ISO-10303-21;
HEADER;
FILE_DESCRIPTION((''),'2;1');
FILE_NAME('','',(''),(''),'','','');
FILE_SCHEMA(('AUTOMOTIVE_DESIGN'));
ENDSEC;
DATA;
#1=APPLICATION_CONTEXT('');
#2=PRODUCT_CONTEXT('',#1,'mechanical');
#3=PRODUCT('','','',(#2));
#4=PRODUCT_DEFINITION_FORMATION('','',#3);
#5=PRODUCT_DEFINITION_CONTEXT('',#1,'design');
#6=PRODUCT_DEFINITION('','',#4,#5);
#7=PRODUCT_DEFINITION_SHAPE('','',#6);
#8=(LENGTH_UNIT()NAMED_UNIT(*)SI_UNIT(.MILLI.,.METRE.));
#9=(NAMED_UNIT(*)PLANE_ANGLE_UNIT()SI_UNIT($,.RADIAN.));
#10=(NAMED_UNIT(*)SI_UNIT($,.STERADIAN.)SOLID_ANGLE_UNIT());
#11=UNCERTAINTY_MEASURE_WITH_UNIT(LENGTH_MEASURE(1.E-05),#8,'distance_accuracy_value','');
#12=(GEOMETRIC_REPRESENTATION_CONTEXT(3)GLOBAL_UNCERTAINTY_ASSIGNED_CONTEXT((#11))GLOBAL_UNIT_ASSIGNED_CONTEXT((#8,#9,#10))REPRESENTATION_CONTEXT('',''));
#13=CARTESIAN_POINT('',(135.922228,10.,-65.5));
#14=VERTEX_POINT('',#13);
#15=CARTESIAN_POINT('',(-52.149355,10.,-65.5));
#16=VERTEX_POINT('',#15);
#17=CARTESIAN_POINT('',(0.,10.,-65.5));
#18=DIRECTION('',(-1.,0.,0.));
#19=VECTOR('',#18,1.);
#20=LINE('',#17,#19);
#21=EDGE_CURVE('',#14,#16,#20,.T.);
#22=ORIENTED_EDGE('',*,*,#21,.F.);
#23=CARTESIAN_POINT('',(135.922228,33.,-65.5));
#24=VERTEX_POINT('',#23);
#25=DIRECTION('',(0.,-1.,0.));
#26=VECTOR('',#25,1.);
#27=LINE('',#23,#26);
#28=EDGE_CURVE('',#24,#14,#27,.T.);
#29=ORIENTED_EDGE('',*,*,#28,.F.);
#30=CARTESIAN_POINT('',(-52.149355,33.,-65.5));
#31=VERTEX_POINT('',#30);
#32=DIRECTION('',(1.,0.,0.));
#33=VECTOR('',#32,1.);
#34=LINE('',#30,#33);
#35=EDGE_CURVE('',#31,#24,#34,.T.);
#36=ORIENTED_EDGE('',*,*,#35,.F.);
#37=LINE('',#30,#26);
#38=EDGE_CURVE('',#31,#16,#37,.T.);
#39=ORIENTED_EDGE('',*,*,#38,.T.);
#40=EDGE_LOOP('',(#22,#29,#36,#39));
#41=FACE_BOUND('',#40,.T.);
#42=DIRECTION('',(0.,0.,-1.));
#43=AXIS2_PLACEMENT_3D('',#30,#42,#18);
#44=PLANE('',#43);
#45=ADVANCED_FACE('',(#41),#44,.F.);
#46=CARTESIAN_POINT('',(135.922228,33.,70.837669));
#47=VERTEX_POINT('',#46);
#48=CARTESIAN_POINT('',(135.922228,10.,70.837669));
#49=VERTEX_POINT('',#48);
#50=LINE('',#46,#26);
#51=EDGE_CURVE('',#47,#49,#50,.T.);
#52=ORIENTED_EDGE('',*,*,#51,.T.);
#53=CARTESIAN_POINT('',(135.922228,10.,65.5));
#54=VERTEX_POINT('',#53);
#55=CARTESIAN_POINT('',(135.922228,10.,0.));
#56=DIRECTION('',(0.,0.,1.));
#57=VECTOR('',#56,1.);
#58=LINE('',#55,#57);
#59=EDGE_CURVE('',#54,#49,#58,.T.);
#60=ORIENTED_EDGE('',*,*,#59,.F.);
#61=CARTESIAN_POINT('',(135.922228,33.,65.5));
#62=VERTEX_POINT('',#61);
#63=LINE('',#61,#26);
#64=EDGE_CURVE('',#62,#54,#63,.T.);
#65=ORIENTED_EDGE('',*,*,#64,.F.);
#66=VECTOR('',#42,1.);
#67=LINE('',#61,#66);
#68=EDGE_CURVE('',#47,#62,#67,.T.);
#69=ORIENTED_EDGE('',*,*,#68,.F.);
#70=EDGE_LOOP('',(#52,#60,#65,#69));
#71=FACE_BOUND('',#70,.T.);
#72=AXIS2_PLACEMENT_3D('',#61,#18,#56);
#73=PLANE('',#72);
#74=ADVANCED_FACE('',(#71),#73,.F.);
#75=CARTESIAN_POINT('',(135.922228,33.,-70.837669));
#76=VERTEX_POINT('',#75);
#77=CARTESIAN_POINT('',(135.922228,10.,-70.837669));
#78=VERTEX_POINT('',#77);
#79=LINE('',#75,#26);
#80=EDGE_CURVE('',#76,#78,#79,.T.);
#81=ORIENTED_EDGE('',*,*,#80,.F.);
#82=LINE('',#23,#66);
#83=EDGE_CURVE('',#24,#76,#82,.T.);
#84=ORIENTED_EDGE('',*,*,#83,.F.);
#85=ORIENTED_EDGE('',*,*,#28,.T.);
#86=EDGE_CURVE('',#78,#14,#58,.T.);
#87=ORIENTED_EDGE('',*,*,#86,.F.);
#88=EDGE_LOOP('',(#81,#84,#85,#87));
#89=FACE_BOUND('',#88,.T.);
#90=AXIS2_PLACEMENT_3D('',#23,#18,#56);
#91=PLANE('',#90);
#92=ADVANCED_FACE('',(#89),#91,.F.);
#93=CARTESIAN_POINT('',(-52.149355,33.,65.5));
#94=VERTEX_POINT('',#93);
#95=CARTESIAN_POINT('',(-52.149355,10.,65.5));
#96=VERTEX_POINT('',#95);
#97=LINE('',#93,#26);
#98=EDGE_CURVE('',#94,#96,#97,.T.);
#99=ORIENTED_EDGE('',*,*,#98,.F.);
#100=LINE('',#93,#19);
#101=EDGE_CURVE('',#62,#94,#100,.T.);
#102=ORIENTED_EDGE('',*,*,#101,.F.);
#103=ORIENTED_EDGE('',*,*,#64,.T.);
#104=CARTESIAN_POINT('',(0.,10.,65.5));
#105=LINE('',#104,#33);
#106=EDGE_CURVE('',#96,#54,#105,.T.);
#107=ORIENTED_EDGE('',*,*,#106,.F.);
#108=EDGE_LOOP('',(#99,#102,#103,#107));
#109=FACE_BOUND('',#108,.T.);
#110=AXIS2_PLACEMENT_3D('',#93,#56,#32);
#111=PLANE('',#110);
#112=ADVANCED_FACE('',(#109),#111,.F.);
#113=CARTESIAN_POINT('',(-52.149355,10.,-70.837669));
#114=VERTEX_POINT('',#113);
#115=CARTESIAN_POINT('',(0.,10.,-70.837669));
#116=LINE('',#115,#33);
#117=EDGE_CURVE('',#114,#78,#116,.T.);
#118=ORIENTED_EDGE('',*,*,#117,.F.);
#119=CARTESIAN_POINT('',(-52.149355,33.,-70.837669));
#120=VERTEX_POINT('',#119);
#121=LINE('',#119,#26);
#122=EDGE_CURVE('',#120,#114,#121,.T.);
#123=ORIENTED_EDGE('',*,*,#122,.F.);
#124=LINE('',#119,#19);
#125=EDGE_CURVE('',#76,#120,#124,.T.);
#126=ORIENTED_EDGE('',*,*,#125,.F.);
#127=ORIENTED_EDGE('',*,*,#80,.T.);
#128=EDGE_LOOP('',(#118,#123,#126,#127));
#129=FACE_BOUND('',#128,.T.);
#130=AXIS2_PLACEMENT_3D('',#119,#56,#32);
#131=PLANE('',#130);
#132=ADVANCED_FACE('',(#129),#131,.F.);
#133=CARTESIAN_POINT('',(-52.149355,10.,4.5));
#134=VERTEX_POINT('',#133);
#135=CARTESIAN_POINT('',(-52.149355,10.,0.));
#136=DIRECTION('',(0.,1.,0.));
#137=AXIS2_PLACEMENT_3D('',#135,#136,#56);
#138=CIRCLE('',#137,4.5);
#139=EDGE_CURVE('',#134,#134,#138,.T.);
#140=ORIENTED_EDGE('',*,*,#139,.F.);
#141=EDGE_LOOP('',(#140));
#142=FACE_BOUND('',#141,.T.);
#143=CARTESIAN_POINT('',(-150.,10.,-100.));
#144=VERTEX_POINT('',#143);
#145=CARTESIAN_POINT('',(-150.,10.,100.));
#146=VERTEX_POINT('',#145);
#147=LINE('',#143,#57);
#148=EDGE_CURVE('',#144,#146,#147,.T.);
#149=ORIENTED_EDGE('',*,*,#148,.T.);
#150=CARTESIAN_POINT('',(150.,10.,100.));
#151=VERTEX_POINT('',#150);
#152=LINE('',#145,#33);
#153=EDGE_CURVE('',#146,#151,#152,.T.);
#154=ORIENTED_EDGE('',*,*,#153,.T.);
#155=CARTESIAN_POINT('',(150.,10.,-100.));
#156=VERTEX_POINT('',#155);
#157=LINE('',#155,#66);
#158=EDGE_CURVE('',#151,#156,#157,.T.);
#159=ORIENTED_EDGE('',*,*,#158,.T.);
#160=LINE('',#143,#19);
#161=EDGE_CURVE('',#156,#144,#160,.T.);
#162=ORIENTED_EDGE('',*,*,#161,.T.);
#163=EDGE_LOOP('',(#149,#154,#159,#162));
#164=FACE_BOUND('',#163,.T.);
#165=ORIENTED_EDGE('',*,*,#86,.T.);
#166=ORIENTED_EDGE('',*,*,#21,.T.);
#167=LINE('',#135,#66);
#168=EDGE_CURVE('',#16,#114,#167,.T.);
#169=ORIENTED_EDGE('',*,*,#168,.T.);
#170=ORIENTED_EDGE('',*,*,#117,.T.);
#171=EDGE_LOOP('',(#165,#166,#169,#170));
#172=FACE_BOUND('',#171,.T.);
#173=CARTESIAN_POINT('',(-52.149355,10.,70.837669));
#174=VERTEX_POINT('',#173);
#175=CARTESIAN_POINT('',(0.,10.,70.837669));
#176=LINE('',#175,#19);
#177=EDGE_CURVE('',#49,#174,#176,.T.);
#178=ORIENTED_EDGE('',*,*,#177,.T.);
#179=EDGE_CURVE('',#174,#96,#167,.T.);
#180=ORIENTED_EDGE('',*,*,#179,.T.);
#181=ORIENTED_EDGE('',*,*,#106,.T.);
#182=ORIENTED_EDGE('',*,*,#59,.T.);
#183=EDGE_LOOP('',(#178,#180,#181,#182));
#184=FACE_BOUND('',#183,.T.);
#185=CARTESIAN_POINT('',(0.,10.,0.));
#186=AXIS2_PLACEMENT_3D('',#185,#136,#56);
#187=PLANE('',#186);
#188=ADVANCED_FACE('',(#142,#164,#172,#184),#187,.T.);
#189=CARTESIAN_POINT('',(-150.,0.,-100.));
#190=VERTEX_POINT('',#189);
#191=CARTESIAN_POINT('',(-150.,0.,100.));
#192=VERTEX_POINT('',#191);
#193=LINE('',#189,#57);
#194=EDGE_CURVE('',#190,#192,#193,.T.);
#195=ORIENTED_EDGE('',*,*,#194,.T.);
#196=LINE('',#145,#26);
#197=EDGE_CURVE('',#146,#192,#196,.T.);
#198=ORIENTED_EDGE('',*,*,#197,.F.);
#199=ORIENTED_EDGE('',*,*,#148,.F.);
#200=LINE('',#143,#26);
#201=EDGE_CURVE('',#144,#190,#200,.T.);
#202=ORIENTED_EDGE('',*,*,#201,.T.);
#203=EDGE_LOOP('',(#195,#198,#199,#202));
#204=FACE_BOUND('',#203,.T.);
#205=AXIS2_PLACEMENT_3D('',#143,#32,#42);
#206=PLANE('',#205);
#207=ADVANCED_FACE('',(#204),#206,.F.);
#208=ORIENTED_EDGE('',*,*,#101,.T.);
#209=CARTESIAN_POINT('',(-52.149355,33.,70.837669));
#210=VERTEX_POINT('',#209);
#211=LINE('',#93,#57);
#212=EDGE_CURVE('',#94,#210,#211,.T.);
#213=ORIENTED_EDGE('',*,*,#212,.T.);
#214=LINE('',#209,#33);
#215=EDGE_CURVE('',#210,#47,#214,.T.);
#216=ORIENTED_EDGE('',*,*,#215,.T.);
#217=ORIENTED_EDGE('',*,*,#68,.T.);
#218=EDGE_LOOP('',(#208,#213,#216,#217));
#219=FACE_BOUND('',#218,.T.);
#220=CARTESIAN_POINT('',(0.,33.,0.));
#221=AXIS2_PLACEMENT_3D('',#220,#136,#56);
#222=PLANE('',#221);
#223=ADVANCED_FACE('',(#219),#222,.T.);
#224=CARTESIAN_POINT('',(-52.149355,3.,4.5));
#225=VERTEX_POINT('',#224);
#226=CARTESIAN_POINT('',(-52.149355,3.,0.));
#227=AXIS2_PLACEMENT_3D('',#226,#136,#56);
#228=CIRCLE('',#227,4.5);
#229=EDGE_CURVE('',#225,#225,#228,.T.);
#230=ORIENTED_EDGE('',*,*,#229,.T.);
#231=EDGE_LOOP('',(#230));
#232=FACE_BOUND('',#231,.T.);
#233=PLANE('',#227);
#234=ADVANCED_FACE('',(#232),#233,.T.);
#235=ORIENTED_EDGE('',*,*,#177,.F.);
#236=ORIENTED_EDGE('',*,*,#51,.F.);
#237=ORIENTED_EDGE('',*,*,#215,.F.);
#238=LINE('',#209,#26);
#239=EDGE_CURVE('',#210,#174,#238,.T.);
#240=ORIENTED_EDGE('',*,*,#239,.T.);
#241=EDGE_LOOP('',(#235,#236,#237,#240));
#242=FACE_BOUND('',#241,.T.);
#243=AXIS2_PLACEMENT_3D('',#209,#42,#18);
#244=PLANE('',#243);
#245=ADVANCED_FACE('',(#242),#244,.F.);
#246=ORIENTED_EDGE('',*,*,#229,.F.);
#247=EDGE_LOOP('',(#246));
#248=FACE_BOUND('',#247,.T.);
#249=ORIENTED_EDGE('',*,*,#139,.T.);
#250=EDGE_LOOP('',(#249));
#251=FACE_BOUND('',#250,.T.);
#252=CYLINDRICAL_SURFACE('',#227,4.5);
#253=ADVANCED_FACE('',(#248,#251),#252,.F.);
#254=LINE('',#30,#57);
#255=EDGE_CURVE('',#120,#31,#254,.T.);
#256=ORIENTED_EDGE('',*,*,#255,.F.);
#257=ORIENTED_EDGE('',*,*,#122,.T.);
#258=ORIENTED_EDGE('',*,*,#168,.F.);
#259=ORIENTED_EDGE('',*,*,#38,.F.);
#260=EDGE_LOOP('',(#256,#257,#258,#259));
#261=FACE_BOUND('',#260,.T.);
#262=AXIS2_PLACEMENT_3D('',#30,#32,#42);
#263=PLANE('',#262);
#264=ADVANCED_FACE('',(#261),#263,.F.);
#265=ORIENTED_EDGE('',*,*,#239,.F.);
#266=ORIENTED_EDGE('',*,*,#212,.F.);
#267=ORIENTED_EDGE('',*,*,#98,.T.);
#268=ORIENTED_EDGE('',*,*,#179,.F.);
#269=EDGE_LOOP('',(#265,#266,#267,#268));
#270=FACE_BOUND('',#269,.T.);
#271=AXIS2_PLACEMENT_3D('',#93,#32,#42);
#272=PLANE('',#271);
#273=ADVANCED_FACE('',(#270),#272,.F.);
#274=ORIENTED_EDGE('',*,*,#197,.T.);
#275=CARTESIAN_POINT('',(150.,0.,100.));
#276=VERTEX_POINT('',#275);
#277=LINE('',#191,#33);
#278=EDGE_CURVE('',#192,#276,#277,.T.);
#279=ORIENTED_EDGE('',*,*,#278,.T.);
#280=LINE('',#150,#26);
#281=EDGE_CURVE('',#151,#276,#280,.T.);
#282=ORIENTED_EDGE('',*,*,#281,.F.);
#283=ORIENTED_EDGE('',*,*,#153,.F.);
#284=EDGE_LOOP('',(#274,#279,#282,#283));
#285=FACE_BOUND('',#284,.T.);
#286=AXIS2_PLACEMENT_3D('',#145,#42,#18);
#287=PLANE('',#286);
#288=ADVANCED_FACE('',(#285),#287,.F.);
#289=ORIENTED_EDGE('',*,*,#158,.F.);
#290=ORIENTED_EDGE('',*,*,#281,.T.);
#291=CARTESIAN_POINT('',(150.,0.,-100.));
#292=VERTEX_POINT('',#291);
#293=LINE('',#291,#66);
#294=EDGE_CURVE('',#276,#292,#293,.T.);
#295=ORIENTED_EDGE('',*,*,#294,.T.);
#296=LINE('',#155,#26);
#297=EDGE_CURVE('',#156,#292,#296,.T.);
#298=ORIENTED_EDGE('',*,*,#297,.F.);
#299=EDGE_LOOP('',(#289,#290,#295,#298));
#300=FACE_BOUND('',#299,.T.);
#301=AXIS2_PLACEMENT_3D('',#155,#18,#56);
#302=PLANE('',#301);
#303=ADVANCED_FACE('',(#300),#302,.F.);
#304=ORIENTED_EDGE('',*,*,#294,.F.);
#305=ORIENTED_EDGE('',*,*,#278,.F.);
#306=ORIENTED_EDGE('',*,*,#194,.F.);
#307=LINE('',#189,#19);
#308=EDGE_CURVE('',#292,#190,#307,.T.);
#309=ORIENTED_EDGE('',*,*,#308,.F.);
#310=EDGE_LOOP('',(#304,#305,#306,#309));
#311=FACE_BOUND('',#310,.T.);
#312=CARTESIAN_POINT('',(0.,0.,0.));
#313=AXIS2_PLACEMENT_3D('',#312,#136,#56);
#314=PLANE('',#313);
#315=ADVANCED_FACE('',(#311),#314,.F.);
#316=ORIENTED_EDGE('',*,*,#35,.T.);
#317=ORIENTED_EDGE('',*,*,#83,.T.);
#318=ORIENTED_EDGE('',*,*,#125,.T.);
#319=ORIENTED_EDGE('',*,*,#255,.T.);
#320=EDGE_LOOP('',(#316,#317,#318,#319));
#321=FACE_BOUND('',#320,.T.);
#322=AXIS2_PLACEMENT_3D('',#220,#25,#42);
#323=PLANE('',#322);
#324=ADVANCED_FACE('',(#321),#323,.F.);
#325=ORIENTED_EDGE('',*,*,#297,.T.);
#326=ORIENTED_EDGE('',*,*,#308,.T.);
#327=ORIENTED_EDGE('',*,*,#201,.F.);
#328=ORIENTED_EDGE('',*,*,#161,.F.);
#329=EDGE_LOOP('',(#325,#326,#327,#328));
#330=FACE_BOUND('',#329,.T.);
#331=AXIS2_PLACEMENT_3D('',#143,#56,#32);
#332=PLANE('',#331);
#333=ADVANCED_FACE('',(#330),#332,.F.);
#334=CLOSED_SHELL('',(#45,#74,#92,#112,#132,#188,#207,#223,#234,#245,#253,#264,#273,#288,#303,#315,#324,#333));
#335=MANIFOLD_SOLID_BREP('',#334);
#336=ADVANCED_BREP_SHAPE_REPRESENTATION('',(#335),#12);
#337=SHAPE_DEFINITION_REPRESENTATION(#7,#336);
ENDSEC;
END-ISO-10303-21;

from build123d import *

# Parameters (mm, degrees)
SKETCH1_W           = 300
SKETCH1_H           = 200
BOSS_EXTRUDE1_DEPTH = 10
SKETCH2_R           = 4.5
CUT_EXTRUDE1_DEPTH  = 7
SKETCH3_W           = 188.071582903
SKETCH3_H           = 5.337669468
BOSS_EXTRUDE2_DEPTH = 30


with BuildPart() as part:
    # Sketch1 → Boss-Extrude1 (new body)
    with BuildSketch(Plane(origin=(0, 0, 0), x_dir=(1, 0, 0), z_dir=(0, 1, 0))):
        Rectangle(SKETCH1_W, SKETCH1_H)
    extrude(amount=BOSS_EXTRUDE1_DEPTH)

    # Sketch2 → Cut-Extrude1 (cut)
    with BuildSketch(Plane(origin=(0, 10, 0), x_dir=(1, 0, 0), z_dir=(0, 1, 0))):
        with Locations(Location((-52.149355232, 0, 0), (0, 0, 270))):
            Circle(SKETCH2_R)
    extrude(amount=-CUT_EXTRUDE1_DEPTH, mode=Mode.SUBTRACT)

    # Sketch3 → Boss-Extrude2 (add)
    with BuildSketch(Plane(origin=(0, 3, 0), x_dir=(1, 0, 0), z_dir=(0, 1, 0))):
        with Locations((41.886436219, -68.168834734)):
            Rectangle(SKETCH3_W, SKETCH3_H)
        with Locations((41.886436219, 68.168834734)):
            Rectangle(SKETCH3_W, SKETCH3_H)
    extrude(amount=BOSS_EXTRUDE2_DEPTH)


solid = part.part
